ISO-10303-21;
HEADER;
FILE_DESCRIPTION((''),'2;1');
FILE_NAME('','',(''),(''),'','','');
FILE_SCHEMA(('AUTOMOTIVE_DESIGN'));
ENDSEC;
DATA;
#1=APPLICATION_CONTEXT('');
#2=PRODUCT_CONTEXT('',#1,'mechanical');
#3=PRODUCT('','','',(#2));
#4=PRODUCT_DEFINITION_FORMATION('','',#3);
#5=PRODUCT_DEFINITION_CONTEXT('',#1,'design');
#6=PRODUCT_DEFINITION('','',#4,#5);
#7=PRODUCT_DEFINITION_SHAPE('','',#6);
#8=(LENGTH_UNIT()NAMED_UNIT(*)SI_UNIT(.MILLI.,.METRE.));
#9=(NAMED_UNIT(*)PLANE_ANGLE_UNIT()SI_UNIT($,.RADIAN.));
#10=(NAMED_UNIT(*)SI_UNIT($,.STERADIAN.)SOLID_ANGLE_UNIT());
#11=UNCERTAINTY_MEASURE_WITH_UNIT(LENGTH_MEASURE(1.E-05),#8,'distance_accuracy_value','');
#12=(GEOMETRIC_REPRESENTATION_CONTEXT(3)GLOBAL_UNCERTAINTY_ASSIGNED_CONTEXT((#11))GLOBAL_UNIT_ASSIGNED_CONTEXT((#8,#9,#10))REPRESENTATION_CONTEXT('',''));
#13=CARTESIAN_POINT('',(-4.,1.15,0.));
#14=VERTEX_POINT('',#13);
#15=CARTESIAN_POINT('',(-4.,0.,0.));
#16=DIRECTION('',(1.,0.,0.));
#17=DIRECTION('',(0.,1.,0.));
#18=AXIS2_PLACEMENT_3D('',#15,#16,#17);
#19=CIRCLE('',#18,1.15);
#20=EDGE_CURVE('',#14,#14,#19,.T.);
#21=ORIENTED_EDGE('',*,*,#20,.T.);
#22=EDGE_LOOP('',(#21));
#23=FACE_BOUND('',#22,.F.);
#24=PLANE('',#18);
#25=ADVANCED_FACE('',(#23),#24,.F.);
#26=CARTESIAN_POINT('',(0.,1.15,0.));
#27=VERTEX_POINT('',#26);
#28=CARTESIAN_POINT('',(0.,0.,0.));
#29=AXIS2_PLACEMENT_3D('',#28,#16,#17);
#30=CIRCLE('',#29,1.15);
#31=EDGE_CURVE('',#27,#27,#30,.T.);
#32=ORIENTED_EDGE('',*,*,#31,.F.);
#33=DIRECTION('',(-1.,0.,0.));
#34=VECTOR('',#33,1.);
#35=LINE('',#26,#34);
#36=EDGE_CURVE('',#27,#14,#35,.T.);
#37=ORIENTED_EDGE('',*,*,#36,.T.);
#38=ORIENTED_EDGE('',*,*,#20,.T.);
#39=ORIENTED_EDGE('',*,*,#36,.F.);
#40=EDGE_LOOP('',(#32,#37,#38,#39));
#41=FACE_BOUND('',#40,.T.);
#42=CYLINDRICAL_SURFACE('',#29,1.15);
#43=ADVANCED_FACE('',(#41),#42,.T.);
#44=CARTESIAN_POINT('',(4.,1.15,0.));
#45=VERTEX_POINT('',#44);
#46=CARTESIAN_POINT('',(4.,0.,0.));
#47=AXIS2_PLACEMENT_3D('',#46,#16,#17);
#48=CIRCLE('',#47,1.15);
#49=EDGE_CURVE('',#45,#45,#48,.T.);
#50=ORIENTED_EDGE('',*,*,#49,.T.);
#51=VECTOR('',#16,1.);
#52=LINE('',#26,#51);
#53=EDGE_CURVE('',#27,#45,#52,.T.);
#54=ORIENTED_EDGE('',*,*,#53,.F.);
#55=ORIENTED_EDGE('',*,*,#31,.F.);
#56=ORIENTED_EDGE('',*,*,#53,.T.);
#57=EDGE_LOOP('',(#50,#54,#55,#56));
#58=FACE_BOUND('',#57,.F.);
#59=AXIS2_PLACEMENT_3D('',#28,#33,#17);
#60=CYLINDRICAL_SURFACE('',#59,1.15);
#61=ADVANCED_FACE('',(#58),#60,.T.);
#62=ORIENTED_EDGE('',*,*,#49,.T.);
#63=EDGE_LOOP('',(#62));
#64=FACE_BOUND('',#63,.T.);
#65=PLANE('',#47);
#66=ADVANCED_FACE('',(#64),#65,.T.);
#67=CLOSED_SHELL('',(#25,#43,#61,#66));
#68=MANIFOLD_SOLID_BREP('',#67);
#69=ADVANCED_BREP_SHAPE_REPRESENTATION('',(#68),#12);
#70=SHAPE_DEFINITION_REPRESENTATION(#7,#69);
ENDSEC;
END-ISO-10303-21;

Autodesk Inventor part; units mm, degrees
ref_plane "YZ Plane" through (0, 0, 0) normal (1, 0, 0) x (0, 1, 0)
ref_plane "XZ Plane" through (0, 0, 0) normal (0, 1, 0) x (-1, 0, 0)
ref_plane "XY Plane" through (0, 0, 0) normal (0, 0, 1) x (1, 0, 0)
sketch "Boceto1" plane through (0, 0, 0) normal (1, 0, 0) x (0, 1, 0)
  circle A0 centre (0, 0) radius 1.15
  dimension "d2" = 2.3
extrude "Extrusión1" add sketch "Boceto1" along normal mid plane 8
equation "\"d2\" = wire_D"
equation "\"d0\" = width_link"
equation "\"thikness\" = 2"
equation "\"offset\" = 1"
equation "\"r1\" = 5.55"
equation "\"r2o\" = 59.75"
equation "\"delta_y\" = 6"
equation "\"wire_d\" = 1"
equation "\"width_ang_spring\" = 5"
equation "\"spring_int_diam\" = 8.5"
equation "\"spring_ext_diam\" = 10.5"
equation "\"r3\" = 8.25"
equation "\"r3R\" = 4.75"
equation "\"r3T\" = 6.74537"
equation "\"alpha\" = 54.847297deg"
equation "\"alpha2\" = 270deg"
equation "\"theta3_recogido\" = 305.152703deg"
equation "\"delta_theta_3\" = 45deg"
equation "\"joint_width\" = 12"
equation "\"joint_radius\" = 7.75"
equation "\"shaft_width\" = 15"
equation "\"shaft_joint_diameter\" = 7.75"
equation "\"separation_space\" = 0.5"
equation "\"height_finger\" = 42"
equation "\"cell_screw_head_diameter\" = 4"
equation "\"cell_screw_diameter\" = 2"
equation "\"cell_space\" = 2"
equation "\"cell_width\" = 6"
equation "\"cell_theta_position\" = 60deg"
equation "\"cell_thikness\" = 1"
equation "\"cell_lenght\" = 37"
equation "\"cell_z_space\" = 5"
equation "\"wire_D\" = 2.3"
equation "\"width_link\" = 8"
equation "\"Dt\" = 1.05949"
equation "\"Djoint_shaft\" = 2.3"
equation "\"shaft_x\" = 1.45"
equation "\"shaft_y\" = 6.45"
equation "\"lenght_body_link\" = 186.05"
equation "\"lenght_bar_support\" = 201.65"
equation "\"wire_spring_d\" = 1"
equation "\"spring_int_d\" = 6"
equation "\"spring_lenght\" = 28"
equation "\"trigger_offset\" = 2"
equation "\"m2_theta2o\" = 107deg"
equation "\"m2_r2\" = 28"
equation "\"e\" = 9"
equation "\"So\" = 17"
equation "\"m2_theta3o\" = -30deg"
equation "\"m2_r3\" = 19.75"
equation "\"m2_delta_theta1\" = 15deg"
equation "\"m2_theta3f\" = -60deg"
equation "\"trigger_thumb_lenght\" = 6"
equation "\"width_r12\" = 8"
equation "\"m2_r1\" = 25.2"
equation "\"r3_thikness\" = 3.5"
equation "\"t_thikness\" = 3"
equation "\"tg_width\" = 4"
equation "\"pivot_screw_d\" = 4"
equation "\"pivot_diameter\" = 7"
equation "\"sj_diam_shaft\" = 6"
equation "\"sj_groove\" = 2"
equation "\"sj_groove_deep\" = 7"
equation "\"sj_head_D\" = 7"
equation "\"sj_head_d\" = 4.7464"
equation "\"sj_head_height\" = 5"
equation "\"sf_lenght\" = 9.5"
equation "\"sf_base\" = 3"
equation "\"sf_head_height\" = 3"
equation "\"sf_head_width\" = 4.5"
equation "\"sf_head_offset\" = 0.25"
equation "\"sf_head_grip_width\" = 2"
equation "\"sf_head_angle\" = 45deg"
equation "\"sf_thikness\" = 5"
equation "\"screw_Dhead\" = 8"
equation "\"screw_d\" = 4"
equation "\"screw_lenght\" = 12"
equation "\"screwJ_base_D\" = 9"
equation "\"screwJ_top_D\" = 13"
equation "\"gj_D\" = 6"
equation "\"gj_d\" = 4"
equation "\"gj_out_section\" = 6"
equation "\"ext_width_slider\" = 3.5"
equation "\"sfbox_tip_width\" = 2.5"
equation "\"slim_width_slider\" = 1.5"
equation "\"agarradera_width\" = 4"
equation "\"int_width_slider\" = 2"
equation "\"agarradera_position\" = 82.13077"
equation "\"sfbox_theta1\" = 60deg"
equation "\"sfbox_theta2\" = 45deg"
equation "\"agarradera_theta\" = 60deg"
equation "\"sfbox_width\" = 1.5"
equation "\"box_fat_slider_lenght\" = 67"
equation "\"fat_width_slider\" = 2"
equation "\"box_in_width\" = 72"
equation "\"flex_separation_theta\" = 60deg"
equation "\"sf_flex_separation\" = 38.66667"
equation "\"thikness_box\" = 1.5"
equation "\"box_slim_slider_lenght\" = 116"
equation "\"box_in_deep\" = 77"
equation "\"box_in_height\" = 35"
properties part number "shaft_bar" material "Acero inoxidable"
